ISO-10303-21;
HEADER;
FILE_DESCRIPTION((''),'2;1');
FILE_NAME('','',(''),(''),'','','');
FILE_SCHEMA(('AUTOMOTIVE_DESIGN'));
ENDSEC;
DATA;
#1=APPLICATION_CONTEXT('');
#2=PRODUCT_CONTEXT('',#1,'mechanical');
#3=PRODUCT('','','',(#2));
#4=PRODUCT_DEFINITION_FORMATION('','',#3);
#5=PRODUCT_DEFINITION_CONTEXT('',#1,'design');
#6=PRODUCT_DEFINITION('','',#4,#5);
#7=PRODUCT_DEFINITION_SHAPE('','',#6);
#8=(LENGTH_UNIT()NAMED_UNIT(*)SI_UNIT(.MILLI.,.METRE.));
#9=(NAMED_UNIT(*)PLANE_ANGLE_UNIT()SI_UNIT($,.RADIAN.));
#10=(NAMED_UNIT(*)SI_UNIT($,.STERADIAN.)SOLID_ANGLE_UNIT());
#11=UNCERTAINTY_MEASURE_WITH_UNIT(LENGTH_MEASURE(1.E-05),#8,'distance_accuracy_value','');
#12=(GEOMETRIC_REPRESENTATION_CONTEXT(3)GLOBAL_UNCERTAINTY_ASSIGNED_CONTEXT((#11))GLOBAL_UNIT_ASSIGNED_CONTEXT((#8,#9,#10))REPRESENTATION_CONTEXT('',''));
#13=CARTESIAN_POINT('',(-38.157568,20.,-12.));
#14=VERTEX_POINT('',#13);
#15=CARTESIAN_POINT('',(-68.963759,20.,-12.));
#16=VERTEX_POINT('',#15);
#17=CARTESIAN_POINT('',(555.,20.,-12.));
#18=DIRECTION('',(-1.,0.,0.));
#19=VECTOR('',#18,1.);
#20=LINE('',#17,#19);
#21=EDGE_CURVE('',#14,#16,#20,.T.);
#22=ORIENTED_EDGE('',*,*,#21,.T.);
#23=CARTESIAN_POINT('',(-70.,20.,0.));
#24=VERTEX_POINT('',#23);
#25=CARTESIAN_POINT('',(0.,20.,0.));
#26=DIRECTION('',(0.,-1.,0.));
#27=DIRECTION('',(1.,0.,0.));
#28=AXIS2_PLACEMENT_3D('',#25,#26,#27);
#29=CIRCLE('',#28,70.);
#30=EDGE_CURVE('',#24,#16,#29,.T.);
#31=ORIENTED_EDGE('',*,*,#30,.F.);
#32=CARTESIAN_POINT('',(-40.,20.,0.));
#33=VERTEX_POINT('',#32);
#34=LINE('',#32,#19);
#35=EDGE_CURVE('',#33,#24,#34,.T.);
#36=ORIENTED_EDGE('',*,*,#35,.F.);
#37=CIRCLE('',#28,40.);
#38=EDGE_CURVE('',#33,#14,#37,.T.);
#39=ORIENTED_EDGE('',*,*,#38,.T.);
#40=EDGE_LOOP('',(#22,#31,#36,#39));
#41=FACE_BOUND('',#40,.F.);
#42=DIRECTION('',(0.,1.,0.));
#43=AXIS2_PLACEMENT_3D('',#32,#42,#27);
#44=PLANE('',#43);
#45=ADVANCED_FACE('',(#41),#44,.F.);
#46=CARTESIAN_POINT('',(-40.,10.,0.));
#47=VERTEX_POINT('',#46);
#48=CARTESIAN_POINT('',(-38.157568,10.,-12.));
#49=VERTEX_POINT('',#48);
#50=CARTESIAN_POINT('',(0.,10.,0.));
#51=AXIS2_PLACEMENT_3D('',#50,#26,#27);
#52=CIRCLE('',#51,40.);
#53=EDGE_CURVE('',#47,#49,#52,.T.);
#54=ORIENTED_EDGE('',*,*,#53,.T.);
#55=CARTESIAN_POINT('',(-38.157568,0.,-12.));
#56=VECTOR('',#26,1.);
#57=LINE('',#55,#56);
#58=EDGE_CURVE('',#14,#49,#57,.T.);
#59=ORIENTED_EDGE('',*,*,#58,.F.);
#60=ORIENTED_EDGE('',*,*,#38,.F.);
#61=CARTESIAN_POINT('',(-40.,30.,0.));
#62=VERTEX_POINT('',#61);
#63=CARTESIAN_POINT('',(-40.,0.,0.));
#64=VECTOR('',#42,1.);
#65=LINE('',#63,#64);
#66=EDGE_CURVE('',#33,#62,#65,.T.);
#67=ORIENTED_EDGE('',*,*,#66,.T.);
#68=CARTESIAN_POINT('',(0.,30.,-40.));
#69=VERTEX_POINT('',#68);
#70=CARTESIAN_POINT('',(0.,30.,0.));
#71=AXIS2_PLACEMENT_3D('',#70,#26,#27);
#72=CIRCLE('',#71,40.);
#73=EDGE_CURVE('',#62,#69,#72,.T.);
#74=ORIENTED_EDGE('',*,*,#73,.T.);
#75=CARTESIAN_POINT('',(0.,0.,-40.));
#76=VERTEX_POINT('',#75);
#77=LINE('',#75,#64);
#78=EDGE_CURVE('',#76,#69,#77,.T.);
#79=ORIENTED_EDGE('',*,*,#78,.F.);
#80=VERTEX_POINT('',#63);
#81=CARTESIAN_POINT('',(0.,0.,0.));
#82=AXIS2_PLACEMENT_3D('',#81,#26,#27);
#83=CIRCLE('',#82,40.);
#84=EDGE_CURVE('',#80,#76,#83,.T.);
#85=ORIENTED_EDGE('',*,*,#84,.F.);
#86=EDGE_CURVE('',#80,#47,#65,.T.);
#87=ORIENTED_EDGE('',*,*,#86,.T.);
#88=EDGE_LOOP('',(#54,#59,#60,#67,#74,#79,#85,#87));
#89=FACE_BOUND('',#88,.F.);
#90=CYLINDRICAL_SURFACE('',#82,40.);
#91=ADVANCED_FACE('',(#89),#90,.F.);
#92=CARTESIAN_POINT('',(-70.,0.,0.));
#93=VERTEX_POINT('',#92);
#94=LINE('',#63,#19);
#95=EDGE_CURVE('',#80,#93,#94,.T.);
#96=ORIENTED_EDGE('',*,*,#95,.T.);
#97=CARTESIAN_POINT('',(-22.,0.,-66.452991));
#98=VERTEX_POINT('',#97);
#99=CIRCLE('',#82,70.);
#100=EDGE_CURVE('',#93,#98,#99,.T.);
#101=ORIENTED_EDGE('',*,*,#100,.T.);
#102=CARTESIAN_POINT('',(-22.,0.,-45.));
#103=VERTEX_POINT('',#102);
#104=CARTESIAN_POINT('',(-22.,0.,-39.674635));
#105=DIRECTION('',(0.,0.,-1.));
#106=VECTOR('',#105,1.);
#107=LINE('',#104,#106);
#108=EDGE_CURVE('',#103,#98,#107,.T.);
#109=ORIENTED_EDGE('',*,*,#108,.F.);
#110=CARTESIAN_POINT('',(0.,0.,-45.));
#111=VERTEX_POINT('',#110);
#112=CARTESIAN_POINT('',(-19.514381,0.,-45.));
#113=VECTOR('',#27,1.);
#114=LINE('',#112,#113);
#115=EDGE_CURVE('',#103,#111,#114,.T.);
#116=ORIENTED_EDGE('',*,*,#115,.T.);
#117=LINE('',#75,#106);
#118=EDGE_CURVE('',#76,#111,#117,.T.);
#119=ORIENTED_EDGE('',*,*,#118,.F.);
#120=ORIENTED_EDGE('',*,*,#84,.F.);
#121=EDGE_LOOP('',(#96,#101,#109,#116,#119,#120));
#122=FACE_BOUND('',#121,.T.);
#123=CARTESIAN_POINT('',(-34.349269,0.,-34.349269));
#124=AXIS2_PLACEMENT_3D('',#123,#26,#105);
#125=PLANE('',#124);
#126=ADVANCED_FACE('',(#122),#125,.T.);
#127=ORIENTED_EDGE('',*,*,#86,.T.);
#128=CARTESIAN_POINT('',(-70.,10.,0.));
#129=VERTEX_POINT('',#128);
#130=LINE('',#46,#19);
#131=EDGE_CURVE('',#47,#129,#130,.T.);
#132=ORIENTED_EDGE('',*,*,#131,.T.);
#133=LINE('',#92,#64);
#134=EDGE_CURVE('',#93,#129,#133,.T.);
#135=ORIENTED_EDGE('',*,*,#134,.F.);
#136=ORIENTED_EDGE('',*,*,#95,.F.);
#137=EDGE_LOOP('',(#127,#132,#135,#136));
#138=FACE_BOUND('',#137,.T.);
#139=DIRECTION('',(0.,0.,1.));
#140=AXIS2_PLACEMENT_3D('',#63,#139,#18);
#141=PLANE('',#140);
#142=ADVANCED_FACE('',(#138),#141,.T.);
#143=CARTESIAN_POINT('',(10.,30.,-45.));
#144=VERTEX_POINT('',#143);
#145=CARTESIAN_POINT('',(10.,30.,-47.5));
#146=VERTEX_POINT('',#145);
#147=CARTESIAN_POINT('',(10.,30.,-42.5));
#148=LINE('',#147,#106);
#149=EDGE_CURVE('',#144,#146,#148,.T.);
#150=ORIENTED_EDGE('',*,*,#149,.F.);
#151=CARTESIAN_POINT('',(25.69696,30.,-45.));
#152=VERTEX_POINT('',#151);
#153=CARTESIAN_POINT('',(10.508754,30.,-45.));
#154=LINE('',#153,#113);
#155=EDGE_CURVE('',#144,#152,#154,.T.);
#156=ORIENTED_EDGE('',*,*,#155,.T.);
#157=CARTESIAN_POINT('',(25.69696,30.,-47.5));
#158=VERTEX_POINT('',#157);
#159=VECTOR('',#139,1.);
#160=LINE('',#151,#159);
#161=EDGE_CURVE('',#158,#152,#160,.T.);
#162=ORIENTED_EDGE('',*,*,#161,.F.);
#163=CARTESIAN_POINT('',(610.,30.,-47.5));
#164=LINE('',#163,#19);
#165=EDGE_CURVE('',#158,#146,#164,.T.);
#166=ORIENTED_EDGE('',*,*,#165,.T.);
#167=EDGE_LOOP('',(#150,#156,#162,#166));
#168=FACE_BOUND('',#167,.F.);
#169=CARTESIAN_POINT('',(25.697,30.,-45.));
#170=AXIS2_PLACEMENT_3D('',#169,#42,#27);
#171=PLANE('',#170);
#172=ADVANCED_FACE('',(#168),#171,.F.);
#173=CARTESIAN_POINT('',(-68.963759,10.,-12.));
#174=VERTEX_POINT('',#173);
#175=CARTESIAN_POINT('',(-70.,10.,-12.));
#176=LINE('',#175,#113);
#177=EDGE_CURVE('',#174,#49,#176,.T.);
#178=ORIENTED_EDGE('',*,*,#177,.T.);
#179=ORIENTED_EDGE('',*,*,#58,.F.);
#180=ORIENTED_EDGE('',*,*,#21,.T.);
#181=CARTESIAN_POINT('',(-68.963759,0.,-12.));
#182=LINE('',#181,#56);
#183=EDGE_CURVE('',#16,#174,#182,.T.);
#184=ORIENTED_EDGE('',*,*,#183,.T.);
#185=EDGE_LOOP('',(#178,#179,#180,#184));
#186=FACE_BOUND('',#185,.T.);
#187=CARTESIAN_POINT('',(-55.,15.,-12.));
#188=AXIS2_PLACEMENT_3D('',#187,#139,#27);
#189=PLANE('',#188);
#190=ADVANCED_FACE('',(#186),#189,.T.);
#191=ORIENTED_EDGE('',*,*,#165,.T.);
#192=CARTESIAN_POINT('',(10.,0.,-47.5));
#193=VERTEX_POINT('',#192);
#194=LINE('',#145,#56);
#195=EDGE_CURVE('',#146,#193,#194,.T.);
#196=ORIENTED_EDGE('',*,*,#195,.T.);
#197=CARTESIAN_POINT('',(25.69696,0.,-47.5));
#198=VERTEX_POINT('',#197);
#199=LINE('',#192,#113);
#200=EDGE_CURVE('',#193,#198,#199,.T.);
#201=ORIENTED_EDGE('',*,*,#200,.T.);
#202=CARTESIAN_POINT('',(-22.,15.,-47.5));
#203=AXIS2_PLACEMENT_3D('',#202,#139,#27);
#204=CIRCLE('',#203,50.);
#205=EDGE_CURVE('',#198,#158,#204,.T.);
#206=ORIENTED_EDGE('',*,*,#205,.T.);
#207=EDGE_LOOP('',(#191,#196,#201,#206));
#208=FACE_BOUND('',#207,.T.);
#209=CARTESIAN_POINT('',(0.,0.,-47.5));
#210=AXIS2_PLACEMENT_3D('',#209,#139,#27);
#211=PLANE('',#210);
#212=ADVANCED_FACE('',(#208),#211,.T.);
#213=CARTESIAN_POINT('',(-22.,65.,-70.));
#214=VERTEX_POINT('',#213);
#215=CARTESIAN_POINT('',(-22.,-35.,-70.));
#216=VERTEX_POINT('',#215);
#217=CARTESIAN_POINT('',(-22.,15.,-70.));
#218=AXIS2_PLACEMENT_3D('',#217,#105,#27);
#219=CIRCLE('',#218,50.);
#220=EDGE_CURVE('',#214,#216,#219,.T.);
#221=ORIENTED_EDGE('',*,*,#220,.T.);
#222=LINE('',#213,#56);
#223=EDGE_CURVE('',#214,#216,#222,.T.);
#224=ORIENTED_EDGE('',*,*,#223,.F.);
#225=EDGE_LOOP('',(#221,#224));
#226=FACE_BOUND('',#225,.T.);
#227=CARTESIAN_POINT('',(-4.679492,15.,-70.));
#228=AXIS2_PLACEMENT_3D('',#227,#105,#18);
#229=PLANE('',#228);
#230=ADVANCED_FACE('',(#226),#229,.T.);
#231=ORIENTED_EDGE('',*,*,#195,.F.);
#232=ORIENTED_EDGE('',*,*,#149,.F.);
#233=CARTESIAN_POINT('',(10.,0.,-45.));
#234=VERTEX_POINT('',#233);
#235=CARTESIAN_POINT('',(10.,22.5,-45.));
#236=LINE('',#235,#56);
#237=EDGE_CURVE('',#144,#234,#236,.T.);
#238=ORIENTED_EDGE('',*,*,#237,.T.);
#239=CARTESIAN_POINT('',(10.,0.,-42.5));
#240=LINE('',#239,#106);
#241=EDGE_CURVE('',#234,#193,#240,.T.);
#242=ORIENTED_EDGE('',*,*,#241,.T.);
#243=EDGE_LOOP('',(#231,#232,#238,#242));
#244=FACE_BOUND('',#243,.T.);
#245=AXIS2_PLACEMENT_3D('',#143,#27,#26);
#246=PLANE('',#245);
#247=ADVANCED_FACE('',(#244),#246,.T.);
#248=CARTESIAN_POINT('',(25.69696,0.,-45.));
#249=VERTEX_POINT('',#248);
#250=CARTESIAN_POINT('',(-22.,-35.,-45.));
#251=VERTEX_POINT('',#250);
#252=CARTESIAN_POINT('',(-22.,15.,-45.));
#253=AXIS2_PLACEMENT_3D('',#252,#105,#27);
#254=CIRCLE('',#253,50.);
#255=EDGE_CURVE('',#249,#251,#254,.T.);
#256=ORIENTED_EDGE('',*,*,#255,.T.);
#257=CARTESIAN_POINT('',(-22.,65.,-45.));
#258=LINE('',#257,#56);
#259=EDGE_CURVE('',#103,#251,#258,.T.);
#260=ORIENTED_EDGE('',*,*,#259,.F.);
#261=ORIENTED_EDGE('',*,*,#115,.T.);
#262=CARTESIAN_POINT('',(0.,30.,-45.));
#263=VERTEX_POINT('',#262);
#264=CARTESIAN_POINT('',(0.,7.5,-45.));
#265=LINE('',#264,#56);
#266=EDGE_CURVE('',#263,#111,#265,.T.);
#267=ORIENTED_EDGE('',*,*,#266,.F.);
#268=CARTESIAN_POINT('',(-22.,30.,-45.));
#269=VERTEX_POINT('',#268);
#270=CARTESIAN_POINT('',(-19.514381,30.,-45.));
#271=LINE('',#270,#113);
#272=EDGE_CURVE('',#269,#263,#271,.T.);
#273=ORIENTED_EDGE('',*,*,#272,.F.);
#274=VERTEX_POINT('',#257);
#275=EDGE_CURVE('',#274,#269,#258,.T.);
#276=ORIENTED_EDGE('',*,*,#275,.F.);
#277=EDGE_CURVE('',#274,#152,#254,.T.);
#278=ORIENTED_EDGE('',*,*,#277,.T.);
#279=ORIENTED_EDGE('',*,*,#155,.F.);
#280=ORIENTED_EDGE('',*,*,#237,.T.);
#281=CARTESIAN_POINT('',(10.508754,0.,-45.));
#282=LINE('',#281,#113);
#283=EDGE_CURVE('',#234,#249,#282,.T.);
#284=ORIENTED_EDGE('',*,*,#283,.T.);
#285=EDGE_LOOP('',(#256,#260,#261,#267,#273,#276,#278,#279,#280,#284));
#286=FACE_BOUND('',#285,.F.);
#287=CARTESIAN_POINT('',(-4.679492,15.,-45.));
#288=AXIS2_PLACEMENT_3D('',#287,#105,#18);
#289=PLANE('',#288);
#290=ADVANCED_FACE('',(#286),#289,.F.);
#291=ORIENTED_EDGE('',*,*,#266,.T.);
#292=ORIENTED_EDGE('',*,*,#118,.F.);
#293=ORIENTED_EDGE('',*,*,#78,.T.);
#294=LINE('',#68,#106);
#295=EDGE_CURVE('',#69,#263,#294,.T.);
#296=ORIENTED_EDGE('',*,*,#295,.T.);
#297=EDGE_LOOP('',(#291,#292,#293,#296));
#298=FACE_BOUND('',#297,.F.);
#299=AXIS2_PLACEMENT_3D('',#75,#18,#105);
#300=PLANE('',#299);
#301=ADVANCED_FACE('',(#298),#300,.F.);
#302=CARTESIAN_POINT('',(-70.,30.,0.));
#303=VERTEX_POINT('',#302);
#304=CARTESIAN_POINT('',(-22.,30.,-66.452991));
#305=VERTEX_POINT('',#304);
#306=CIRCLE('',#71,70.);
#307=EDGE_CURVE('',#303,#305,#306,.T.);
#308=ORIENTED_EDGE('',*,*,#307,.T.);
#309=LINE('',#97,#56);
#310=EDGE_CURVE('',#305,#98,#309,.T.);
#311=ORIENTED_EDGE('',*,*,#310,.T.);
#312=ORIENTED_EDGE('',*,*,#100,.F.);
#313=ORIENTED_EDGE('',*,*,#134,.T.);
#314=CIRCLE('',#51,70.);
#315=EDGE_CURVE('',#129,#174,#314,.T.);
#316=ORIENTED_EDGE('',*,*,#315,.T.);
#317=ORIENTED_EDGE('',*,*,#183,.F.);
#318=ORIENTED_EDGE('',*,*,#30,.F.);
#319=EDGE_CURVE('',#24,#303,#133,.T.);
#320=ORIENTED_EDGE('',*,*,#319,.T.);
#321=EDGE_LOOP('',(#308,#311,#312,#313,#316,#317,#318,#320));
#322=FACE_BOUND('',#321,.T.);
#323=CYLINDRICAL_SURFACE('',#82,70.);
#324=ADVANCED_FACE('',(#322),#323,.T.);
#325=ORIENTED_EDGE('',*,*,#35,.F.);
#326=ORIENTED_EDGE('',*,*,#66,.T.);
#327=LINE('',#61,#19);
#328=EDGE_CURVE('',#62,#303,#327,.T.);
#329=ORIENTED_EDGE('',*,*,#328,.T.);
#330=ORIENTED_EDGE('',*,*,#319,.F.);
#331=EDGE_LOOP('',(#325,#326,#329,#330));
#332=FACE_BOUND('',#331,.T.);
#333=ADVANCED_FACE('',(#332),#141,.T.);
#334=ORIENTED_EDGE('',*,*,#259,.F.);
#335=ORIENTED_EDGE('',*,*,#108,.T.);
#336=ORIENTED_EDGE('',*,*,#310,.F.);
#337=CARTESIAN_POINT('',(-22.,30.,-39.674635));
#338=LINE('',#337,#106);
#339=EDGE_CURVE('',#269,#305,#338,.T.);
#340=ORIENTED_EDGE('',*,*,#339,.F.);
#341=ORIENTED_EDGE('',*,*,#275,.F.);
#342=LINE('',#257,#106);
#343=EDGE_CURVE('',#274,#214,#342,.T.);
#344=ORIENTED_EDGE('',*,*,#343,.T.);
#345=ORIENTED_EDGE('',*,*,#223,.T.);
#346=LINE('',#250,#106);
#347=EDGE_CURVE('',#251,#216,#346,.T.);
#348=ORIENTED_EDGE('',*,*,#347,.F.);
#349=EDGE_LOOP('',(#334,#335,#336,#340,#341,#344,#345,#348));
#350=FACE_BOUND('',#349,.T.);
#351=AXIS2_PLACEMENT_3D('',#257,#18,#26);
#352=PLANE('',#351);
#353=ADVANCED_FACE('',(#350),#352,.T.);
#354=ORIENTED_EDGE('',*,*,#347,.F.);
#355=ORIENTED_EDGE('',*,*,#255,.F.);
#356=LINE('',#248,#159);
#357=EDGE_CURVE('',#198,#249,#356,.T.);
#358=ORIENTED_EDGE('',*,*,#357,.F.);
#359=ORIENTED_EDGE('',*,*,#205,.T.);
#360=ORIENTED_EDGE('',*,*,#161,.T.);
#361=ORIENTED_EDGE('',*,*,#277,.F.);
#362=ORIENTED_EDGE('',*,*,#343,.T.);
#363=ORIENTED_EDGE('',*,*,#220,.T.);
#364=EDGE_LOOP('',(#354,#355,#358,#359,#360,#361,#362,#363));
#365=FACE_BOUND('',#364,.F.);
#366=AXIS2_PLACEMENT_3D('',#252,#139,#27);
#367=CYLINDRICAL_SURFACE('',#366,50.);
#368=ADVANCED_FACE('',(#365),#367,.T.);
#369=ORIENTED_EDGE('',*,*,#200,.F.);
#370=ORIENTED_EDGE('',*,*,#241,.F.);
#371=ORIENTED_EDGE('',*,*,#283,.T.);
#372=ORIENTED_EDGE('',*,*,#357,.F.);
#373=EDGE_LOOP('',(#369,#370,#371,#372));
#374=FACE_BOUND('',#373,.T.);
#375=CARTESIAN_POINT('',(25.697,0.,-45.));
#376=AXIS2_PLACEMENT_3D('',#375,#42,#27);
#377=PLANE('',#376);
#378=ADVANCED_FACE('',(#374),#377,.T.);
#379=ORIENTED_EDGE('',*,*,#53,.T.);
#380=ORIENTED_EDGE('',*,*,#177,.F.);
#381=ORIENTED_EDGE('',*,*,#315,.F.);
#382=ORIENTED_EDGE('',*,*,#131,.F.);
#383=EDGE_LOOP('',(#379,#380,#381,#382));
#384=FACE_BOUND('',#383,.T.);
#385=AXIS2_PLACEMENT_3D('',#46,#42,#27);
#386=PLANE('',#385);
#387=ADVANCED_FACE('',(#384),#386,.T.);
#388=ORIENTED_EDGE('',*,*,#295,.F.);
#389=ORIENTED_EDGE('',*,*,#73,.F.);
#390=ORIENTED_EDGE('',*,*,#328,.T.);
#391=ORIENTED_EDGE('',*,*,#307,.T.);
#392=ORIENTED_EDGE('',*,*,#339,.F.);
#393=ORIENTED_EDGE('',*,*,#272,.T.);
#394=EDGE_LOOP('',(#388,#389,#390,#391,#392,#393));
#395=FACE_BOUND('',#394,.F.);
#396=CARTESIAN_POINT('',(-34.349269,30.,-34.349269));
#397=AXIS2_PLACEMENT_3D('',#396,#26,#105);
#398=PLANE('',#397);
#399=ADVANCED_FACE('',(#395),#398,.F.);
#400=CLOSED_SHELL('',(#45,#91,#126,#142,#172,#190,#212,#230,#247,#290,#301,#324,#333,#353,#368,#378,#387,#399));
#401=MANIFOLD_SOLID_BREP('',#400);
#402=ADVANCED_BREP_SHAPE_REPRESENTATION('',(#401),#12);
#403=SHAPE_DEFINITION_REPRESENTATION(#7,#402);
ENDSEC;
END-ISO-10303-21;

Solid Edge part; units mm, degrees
sketch "Sketch1" plane through (0, 0, 0) normal (0, -1, 0) x (1, 0, 0)
  line L0 (-40, 0) -> (-70, 0)
  arc A0 (-70, 0) -> (0, -70) centre (0, 0) ccw
  line L1 (0, -40) -> (0, -70)
  arc A1 (-40, 0) -> (0, -40) centre (0, 0) ccw
extrude "Protrusion1" add sketch "Sketch1" against normal blind 30
sketch "Sketch2" plane through (-55, 15, 0) normal (0, 0, 1) x (1, 0, 0)
  line L0 (15, 5) -> (-15, 5)
  line L1 (-15, 5) -> (-15, -5)
  line L2 (-15, -5) -> (15, -5)
extrude "ExtrudedCutout_1" cut sketch "Sketch2" along normal mid plane 24 material side at (-55, 19.95, 0)
sketch "Sketch3" plane through (0, 0, -45) normal (0, 0, 1) x (1, 0, 0)
  arc A0 (-22, 65) -> (-22, -35) centre (-22, 15) cw
  line L0 (-22, 65) -> (-22, -35)
extrude "ExtrudedProtrusion_2" add sketch "Sketch3" against normal blind 25
sketch "Sketch4" plane through (0, 0, -45) normal (0, 0, 1) x (1, 0, 0)
  line L0 (25.697, 0) -> (10, 0)
  line L1 (10, 30) -> (10, 0)
  line L2 (10, 30) -> (25.697, 30)
extrude "ExtrudedCutout_2" cut sketch "Sketch4" along normal mid plane 5 material side at (17.8485, 0.05, -45)
